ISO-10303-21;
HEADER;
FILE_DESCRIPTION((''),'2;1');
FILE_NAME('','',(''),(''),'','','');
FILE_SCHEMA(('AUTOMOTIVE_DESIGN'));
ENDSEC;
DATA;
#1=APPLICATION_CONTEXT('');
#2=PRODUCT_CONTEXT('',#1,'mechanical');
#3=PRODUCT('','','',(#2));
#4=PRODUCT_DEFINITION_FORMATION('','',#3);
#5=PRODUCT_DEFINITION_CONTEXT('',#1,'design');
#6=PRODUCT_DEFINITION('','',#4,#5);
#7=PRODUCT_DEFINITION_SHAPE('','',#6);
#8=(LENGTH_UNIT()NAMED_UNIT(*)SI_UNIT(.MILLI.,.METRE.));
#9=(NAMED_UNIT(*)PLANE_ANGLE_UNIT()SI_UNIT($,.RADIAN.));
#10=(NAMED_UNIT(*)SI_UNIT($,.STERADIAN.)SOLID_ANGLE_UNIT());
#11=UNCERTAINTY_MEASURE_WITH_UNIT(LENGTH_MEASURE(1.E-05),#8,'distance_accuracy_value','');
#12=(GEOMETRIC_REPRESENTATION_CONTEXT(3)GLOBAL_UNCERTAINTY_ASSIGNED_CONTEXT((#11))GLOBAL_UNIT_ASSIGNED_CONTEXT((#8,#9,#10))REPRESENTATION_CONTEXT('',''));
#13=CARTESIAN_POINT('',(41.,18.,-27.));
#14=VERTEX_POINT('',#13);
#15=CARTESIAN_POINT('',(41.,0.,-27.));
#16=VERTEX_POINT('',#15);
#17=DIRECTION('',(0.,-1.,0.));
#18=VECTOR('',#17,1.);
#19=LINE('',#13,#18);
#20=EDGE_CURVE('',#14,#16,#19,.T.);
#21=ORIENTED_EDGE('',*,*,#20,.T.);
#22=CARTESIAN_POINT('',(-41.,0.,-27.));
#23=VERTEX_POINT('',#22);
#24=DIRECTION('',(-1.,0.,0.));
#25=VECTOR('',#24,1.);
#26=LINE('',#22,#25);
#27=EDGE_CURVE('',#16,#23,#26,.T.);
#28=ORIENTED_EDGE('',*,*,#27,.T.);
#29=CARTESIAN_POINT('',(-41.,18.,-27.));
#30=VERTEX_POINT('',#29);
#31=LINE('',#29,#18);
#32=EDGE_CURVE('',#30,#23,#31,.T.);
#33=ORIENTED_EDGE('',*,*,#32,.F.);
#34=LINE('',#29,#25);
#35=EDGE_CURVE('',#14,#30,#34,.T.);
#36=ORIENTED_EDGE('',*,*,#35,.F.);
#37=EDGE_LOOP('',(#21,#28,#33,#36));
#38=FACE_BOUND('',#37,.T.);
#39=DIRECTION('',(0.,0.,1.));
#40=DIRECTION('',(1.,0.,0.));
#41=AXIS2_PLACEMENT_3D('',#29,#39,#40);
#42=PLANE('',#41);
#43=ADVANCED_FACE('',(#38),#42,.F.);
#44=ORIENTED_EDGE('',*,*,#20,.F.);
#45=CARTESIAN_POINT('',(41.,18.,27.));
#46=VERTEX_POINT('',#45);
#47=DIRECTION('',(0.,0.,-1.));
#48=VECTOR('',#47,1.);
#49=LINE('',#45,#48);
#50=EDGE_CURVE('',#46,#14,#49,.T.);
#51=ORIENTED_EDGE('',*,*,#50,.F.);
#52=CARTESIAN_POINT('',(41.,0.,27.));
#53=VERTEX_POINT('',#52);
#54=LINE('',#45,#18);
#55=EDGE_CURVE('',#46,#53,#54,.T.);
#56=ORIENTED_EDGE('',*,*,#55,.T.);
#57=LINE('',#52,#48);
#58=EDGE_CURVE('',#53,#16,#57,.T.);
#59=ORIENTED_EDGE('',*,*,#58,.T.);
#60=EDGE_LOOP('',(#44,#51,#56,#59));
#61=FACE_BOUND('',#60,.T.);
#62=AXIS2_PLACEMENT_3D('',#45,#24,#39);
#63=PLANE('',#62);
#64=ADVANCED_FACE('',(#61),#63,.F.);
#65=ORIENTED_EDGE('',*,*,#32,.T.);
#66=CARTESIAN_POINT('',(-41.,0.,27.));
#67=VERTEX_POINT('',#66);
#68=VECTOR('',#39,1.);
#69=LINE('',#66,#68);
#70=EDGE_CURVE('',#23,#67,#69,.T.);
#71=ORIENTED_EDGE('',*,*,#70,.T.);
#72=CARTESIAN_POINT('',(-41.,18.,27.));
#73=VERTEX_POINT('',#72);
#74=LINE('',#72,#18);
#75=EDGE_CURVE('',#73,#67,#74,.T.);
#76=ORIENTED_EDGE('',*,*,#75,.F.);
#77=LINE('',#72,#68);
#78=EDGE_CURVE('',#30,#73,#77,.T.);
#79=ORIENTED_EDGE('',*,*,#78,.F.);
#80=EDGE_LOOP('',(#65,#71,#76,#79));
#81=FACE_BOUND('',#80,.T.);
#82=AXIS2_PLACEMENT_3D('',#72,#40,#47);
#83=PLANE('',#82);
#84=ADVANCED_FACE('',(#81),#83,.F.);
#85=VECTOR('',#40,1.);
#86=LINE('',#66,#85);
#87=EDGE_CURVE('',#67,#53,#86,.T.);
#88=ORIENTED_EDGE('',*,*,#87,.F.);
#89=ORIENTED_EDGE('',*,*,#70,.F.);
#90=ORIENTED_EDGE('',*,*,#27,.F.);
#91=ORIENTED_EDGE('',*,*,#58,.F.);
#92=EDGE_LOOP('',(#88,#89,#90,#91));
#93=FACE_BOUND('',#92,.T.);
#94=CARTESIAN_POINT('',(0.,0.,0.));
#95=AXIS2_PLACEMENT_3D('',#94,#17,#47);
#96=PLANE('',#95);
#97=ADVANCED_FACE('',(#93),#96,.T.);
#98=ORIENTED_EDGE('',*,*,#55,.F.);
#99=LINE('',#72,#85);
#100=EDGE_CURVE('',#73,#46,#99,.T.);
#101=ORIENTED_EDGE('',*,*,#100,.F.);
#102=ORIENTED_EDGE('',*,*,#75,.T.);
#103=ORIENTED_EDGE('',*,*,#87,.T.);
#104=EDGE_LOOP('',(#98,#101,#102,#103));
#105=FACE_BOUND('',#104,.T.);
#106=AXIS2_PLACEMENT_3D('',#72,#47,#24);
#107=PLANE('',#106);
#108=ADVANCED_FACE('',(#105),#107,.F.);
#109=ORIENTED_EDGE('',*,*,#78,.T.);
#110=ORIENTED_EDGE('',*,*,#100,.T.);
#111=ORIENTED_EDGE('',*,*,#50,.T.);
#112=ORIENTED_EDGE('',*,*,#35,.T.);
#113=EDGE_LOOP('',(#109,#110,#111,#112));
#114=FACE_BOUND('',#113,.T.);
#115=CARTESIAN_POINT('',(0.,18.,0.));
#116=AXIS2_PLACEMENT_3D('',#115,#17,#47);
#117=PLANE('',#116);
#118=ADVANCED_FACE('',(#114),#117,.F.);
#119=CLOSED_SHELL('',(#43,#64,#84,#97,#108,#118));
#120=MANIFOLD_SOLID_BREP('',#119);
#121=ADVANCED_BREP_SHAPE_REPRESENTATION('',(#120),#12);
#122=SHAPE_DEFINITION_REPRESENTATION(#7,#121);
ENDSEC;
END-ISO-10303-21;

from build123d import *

# Parameters (mm, degrees)
ESBO_O1_W                = 82
ESBO_O1_H                = 54
RESSALTO_EXTRUS_O1_DEPTH = 18


with BuildPart() as part:
    # Esboço1 → Ressalto-extrusão1 (new body)
    with BuildSketch(Plane(origin=(0, 0, 0), x_dir=(1, 0, 0), z_dir=(0, 1, 0))):
        Rectangle(ESBO_O1_W, ESBO_O1_H)
    extrude(amount=RESSALTO_EXTRUS_O1_DEPTH)


solid = part.part
